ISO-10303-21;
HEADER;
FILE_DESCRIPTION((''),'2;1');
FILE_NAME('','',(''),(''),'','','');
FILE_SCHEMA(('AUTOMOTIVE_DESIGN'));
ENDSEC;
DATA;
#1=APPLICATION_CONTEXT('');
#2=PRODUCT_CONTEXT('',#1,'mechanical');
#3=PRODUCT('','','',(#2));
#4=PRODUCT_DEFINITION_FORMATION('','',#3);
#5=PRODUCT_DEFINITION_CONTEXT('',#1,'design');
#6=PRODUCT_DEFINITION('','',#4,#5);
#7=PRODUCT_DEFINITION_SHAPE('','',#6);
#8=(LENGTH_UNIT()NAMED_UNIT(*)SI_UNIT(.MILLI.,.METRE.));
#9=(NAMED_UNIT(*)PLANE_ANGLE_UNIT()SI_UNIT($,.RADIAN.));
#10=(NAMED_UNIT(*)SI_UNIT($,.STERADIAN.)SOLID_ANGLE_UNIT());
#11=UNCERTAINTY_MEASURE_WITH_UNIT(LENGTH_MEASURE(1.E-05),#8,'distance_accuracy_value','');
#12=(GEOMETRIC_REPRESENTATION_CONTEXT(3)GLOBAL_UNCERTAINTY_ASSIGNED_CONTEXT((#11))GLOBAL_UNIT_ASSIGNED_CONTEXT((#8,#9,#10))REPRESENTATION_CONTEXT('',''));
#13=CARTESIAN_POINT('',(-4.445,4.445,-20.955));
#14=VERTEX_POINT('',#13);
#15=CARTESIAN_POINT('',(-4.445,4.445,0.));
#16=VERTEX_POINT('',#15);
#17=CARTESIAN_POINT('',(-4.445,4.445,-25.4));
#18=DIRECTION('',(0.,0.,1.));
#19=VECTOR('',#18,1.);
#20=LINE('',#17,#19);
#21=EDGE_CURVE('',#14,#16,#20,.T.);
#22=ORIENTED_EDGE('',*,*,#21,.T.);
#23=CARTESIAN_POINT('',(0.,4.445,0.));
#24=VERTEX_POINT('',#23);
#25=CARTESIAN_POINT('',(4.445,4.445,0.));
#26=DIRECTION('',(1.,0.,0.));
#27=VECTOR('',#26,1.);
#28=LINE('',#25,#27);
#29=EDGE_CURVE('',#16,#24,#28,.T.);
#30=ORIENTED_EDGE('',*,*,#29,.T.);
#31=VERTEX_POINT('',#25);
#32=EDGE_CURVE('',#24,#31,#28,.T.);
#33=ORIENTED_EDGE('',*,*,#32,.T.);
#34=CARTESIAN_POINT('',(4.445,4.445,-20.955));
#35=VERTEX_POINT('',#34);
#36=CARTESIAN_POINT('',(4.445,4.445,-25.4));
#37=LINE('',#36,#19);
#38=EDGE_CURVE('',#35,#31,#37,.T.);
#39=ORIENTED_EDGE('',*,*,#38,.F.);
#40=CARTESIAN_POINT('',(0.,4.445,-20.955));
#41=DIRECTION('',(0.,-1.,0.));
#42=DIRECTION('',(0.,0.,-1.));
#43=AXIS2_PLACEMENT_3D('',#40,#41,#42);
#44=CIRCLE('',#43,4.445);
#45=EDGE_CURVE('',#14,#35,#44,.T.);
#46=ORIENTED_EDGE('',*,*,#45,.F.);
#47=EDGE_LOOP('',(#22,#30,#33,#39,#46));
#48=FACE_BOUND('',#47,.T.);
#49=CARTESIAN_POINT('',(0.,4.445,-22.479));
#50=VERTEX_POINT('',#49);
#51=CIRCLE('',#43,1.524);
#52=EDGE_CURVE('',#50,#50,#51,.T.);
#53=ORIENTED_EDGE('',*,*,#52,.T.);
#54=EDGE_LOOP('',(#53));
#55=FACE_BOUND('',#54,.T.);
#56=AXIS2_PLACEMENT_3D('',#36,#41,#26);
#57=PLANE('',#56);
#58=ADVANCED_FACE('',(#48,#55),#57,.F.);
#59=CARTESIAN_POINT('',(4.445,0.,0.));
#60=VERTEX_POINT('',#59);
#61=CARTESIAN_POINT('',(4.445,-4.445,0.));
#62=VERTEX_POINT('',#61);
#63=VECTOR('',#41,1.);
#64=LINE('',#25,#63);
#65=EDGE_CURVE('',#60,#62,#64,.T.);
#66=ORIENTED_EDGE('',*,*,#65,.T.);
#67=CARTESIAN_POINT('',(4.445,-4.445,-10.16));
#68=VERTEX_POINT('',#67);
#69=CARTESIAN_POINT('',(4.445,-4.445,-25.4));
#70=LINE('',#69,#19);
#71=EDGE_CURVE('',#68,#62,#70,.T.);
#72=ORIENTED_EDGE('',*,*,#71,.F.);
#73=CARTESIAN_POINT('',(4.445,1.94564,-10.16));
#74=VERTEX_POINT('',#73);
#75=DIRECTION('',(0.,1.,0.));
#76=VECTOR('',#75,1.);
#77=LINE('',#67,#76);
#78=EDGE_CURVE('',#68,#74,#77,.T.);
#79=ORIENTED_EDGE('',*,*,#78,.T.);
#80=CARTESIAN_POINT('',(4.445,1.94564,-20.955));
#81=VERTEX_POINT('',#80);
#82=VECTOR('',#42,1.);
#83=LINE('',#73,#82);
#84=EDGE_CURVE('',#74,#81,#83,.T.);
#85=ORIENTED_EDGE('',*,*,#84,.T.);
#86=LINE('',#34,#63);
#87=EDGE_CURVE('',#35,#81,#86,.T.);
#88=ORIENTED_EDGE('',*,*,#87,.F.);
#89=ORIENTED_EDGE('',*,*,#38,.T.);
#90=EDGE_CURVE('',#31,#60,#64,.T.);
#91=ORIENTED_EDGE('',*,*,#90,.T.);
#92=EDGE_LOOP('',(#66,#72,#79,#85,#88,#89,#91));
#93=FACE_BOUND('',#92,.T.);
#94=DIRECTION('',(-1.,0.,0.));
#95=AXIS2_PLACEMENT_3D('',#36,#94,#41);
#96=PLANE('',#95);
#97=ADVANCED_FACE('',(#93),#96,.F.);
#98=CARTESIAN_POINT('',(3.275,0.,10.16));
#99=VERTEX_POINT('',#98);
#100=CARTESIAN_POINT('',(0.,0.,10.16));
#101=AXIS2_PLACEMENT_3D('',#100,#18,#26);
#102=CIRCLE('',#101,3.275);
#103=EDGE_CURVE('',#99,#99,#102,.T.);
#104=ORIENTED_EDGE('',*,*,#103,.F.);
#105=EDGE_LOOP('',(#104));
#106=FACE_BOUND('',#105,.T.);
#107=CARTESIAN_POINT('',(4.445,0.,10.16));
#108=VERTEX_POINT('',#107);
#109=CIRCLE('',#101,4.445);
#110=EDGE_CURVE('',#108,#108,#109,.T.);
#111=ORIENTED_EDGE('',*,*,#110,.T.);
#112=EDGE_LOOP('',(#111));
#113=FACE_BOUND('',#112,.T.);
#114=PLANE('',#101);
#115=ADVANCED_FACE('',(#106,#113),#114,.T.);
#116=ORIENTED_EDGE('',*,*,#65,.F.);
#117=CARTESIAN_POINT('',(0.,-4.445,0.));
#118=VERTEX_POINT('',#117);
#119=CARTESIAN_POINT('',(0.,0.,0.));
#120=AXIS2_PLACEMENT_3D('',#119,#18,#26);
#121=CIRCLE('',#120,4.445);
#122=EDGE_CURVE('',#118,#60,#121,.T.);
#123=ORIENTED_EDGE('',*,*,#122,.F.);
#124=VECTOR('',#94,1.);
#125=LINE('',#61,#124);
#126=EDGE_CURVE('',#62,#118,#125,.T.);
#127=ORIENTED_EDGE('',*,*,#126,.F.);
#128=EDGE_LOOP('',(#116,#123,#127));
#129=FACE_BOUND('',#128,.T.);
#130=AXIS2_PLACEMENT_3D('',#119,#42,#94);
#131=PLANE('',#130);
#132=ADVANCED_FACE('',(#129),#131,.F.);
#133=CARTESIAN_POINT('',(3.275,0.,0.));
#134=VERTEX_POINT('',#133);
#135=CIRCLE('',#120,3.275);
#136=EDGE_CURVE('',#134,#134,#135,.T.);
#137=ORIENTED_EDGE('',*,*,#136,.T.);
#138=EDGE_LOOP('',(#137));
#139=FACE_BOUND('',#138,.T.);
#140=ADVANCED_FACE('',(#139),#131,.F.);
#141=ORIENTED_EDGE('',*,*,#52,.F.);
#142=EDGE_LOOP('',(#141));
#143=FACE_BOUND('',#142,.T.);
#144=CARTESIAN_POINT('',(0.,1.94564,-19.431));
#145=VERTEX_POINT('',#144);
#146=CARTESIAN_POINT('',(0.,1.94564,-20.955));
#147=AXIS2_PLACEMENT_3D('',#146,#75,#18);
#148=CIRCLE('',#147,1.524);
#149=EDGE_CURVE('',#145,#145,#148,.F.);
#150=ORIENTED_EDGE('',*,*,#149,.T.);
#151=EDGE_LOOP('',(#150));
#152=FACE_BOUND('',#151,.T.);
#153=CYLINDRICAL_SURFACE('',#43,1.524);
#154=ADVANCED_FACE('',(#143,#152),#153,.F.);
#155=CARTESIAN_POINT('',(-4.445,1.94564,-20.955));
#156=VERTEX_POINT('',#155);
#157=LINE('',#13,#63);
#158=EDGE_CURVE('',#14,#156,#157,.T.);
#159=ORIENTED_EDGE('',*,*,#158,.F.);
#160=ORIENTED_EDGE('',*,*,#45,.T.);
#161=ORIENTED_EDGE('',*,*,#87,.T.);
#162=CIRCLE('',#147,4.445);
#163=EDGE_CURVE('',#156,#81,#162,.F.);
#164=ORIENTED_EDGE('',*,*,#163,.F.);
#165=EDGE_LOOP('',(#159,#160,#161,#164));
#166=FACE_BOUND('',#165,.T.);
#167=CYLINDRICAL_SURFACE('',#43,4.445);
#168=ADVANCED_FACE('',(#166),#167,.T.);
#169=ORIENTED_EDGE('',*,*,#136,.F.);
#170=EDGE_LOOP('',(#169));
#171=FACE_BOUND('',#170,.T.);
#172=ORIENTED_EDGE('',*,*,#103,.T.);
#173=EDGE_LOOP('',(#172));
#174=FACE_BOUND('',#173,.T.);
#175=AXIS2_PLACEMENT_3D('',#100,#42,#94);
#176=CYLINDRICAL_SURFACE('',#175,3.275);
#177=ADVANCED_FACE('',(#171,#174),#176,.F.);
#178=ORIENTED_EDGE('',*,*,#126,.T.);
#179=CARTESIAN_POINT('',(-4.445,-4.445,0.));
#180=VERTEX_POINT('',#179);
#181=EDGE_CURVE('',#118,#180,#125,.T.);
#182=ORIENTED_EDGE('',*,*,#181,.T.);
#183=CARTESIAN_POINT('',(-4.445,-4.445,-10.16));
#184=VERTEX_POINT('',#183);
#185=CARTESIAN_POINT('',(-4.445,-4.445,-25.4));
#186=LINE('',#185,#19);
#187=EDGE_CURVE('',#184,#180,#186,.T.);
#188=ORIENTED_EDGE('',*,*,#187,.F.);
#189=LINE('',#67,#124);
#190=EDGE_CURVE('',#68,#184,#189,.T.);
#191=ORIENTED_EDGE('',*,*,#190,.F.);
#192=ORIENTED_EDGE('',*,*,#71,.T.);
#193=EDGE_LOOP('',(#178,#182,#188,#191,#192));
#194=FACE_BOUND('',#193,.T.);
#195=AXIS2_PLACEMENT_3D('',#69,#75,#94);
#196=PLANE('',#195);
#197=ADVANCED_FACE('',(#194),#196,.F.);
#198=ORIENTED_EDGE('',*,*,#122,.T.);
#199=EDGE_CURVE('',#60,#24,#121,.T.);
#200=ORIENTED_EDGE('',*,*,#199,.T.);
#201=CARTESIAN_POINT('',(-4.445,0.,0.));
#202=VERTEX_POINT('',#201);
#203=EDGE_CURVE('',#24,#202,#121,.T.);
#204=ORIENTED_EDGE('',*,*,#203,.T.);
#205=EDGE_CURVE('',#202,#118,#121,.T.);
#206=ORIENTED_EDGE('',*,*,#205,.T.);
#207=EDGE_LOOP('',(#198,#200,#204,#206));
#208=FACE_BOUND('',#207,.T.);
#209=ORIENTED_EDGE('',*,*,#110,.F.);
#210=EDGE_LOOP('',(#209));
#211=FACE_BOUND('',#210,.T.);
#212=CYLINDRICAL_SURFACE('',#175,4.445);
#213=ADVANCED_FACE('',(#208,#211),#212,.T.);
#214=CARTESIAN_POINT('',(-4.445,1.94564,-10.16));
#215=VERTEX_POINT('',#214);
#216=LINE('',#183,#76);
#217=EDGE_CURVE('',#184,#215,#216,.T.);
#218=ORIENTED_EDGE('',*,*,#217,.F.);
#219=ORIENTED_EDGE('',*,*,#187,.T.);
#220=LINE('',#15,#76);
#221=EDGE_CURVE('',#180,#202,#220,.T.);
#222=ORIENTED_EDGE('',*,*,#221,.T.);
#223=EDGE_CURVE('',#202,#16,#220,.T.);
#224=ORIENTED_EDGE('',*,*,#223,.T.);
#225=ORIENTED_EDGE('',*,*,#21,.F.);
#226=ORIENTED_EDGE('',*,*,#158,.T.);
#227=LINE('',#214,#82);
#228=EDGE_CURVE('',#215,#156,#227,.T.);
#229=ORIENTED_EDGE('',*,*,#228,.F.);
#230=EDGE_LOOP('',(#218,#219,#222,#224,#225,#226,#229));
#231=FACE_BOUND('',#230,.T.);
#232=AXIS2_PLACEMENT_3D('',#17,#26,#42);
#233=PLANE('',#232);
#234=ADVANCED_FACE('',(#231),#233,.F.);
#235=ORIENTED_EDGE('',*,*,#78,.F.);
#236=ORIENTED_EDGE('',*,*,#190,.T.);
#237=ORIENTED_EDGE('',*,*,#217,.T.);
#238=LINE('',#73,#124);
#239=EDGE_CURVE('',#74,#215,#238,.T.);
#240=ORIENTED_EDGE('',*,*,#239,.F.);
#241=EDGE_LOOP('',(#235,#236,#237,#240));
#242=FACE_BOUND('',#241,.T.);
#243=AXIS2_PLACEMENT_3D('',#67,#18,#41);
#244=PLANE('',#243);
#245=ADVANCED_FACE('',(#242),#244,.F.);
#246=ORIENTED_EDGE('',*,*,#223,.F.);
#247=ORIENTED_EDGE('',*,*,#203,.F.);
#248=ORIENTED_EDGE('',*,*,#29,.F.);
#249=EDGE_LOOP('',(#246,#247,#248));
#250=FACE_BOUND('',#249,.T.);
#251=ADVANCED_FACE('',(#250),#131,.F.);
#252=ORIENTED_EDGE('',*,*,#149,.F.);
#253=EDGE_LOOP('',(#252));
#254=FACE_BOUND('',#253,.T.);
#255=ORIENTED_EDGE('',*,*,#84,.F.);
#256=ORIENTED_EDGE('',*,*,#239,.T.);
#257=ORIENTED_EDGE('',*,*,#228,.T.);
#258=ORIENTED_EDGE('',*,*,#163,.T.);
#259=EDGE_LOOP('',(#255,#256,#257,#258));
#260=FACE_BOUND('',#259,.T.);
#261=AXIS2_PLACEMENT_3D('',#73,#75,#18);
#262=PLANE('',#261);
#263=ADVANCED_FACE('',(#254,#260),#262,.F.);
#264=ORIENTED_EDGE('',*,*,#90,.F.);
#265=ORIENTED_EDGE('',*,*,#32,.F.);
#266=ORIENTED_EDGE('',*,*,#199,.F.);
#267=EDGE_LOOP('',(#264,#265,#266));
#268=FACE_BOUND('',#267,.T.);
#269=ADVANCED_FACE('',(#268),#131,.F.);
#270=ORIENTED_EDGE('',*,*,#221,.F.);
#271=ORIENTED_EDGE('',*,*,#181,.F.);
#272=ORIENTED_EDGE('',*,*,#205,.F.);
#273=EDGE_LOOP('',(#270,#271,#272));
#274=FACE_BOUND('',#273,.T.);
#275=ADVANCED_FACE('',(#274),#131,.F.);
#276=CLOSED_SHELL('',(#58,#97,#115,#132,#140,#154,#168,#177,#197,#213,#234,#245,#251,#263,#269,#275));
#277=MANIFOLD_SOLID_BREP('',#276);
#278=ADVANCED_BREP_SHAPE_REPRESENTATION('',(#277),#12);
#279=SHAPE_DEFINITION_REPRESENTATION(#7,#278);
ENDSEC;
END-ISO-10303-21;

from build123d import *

# Parameters (mm, degrees)
SKETCH1_R           = 4.445
SKETCH1_R_2         = 3.275000003
BOSS_EXTRUDE1_DEPTH = 10.16
SKETCH2_W           = 8.89
SKETCH2_H           = 8.89
BOSS_EXTRUDE2_DEPTH = 25.4
CUT_EXTRUDE1_DEPTH  = 28.275449126
SKETCH4_W           = 15.24
SKETCH4_H           = 6.39064
CUT_EXTRUDE2_DEPTH  = 28.275449126


with BuildPart() as part:
    # Sketch1 → Boss-Extrude1 (new body)
    with BuildSketch(Plane.XY):
        Circle(SKETCH1_R)
        Circle(SKETCH1_R_2, mode=Mode.SUBTRACT)
    extrude(amount=BOSS_EXTRUDE1_DEPTH)

    # Sketch2 → Boss-Extrude2 (add)
    with BuildSketch(Plane(origin=(0, 0, 0), x_dir=(-1, 0, 0), z_dir=(0, 0, -1))):
        Rectangle(SKETCH2_W, SKETCH2_H)
    extrude(amount=BOSS_EXTRUDE2_DEPTH)

    # Sketch3 → Cut-Extrude1 (cut, through all)
    with BuildSketch(Plane.XZ.offset(4.445)):
        with BuildLine():
            Line((4.445, -25.4), (4.445, -20.955))
            ThreePointArc((4.445, -20.955), (3.143089642, -24.098089642), (0, -25.4))
            Line((0, -25.4), (4.445, -25.4))
        make_face()
        with BuildLine():
            ThreePointArc((0, -25.4), (-3.143089642, -24.098089642), (-4.445, -20.955))
            Line((-4.445, -20.955), (-4.445, -25.4))
            Line((-4.445, -25.4), (0, -25.4))
        make_face()
        with BuildLine():
            ThreePointArc((1.524, -20.955), (0, -19.431), (-1.524, -20.955))
            Line((-1.524, -20.955), (1.524, -20.955))
        make_face()
        with BuildLine():
            Line((1.524, -20.955), (-1.524, -20.955))
            ThreePointArc((-1.524, -20.955), (0, -22.479), (1.524, -20.955))
        make_face()
    extrude(amount=-CUT_EXTRUDE1_DEPTH, mode=Mode.SUBTRACT)

    # Sketch4 → Cut-Extrude2 (cut, through all)
    with BuildSketch(Plane.ZY.offset(4.445)):
        with Locations((-17.78, -1.24968)):
            Rectangle(SKETCH4_W, SKETCH4_H)
    extrude(amount=-CUT_EXTRUDE2_DEPTH, mode=Mode.SUBTRACT)


solid = part.part
